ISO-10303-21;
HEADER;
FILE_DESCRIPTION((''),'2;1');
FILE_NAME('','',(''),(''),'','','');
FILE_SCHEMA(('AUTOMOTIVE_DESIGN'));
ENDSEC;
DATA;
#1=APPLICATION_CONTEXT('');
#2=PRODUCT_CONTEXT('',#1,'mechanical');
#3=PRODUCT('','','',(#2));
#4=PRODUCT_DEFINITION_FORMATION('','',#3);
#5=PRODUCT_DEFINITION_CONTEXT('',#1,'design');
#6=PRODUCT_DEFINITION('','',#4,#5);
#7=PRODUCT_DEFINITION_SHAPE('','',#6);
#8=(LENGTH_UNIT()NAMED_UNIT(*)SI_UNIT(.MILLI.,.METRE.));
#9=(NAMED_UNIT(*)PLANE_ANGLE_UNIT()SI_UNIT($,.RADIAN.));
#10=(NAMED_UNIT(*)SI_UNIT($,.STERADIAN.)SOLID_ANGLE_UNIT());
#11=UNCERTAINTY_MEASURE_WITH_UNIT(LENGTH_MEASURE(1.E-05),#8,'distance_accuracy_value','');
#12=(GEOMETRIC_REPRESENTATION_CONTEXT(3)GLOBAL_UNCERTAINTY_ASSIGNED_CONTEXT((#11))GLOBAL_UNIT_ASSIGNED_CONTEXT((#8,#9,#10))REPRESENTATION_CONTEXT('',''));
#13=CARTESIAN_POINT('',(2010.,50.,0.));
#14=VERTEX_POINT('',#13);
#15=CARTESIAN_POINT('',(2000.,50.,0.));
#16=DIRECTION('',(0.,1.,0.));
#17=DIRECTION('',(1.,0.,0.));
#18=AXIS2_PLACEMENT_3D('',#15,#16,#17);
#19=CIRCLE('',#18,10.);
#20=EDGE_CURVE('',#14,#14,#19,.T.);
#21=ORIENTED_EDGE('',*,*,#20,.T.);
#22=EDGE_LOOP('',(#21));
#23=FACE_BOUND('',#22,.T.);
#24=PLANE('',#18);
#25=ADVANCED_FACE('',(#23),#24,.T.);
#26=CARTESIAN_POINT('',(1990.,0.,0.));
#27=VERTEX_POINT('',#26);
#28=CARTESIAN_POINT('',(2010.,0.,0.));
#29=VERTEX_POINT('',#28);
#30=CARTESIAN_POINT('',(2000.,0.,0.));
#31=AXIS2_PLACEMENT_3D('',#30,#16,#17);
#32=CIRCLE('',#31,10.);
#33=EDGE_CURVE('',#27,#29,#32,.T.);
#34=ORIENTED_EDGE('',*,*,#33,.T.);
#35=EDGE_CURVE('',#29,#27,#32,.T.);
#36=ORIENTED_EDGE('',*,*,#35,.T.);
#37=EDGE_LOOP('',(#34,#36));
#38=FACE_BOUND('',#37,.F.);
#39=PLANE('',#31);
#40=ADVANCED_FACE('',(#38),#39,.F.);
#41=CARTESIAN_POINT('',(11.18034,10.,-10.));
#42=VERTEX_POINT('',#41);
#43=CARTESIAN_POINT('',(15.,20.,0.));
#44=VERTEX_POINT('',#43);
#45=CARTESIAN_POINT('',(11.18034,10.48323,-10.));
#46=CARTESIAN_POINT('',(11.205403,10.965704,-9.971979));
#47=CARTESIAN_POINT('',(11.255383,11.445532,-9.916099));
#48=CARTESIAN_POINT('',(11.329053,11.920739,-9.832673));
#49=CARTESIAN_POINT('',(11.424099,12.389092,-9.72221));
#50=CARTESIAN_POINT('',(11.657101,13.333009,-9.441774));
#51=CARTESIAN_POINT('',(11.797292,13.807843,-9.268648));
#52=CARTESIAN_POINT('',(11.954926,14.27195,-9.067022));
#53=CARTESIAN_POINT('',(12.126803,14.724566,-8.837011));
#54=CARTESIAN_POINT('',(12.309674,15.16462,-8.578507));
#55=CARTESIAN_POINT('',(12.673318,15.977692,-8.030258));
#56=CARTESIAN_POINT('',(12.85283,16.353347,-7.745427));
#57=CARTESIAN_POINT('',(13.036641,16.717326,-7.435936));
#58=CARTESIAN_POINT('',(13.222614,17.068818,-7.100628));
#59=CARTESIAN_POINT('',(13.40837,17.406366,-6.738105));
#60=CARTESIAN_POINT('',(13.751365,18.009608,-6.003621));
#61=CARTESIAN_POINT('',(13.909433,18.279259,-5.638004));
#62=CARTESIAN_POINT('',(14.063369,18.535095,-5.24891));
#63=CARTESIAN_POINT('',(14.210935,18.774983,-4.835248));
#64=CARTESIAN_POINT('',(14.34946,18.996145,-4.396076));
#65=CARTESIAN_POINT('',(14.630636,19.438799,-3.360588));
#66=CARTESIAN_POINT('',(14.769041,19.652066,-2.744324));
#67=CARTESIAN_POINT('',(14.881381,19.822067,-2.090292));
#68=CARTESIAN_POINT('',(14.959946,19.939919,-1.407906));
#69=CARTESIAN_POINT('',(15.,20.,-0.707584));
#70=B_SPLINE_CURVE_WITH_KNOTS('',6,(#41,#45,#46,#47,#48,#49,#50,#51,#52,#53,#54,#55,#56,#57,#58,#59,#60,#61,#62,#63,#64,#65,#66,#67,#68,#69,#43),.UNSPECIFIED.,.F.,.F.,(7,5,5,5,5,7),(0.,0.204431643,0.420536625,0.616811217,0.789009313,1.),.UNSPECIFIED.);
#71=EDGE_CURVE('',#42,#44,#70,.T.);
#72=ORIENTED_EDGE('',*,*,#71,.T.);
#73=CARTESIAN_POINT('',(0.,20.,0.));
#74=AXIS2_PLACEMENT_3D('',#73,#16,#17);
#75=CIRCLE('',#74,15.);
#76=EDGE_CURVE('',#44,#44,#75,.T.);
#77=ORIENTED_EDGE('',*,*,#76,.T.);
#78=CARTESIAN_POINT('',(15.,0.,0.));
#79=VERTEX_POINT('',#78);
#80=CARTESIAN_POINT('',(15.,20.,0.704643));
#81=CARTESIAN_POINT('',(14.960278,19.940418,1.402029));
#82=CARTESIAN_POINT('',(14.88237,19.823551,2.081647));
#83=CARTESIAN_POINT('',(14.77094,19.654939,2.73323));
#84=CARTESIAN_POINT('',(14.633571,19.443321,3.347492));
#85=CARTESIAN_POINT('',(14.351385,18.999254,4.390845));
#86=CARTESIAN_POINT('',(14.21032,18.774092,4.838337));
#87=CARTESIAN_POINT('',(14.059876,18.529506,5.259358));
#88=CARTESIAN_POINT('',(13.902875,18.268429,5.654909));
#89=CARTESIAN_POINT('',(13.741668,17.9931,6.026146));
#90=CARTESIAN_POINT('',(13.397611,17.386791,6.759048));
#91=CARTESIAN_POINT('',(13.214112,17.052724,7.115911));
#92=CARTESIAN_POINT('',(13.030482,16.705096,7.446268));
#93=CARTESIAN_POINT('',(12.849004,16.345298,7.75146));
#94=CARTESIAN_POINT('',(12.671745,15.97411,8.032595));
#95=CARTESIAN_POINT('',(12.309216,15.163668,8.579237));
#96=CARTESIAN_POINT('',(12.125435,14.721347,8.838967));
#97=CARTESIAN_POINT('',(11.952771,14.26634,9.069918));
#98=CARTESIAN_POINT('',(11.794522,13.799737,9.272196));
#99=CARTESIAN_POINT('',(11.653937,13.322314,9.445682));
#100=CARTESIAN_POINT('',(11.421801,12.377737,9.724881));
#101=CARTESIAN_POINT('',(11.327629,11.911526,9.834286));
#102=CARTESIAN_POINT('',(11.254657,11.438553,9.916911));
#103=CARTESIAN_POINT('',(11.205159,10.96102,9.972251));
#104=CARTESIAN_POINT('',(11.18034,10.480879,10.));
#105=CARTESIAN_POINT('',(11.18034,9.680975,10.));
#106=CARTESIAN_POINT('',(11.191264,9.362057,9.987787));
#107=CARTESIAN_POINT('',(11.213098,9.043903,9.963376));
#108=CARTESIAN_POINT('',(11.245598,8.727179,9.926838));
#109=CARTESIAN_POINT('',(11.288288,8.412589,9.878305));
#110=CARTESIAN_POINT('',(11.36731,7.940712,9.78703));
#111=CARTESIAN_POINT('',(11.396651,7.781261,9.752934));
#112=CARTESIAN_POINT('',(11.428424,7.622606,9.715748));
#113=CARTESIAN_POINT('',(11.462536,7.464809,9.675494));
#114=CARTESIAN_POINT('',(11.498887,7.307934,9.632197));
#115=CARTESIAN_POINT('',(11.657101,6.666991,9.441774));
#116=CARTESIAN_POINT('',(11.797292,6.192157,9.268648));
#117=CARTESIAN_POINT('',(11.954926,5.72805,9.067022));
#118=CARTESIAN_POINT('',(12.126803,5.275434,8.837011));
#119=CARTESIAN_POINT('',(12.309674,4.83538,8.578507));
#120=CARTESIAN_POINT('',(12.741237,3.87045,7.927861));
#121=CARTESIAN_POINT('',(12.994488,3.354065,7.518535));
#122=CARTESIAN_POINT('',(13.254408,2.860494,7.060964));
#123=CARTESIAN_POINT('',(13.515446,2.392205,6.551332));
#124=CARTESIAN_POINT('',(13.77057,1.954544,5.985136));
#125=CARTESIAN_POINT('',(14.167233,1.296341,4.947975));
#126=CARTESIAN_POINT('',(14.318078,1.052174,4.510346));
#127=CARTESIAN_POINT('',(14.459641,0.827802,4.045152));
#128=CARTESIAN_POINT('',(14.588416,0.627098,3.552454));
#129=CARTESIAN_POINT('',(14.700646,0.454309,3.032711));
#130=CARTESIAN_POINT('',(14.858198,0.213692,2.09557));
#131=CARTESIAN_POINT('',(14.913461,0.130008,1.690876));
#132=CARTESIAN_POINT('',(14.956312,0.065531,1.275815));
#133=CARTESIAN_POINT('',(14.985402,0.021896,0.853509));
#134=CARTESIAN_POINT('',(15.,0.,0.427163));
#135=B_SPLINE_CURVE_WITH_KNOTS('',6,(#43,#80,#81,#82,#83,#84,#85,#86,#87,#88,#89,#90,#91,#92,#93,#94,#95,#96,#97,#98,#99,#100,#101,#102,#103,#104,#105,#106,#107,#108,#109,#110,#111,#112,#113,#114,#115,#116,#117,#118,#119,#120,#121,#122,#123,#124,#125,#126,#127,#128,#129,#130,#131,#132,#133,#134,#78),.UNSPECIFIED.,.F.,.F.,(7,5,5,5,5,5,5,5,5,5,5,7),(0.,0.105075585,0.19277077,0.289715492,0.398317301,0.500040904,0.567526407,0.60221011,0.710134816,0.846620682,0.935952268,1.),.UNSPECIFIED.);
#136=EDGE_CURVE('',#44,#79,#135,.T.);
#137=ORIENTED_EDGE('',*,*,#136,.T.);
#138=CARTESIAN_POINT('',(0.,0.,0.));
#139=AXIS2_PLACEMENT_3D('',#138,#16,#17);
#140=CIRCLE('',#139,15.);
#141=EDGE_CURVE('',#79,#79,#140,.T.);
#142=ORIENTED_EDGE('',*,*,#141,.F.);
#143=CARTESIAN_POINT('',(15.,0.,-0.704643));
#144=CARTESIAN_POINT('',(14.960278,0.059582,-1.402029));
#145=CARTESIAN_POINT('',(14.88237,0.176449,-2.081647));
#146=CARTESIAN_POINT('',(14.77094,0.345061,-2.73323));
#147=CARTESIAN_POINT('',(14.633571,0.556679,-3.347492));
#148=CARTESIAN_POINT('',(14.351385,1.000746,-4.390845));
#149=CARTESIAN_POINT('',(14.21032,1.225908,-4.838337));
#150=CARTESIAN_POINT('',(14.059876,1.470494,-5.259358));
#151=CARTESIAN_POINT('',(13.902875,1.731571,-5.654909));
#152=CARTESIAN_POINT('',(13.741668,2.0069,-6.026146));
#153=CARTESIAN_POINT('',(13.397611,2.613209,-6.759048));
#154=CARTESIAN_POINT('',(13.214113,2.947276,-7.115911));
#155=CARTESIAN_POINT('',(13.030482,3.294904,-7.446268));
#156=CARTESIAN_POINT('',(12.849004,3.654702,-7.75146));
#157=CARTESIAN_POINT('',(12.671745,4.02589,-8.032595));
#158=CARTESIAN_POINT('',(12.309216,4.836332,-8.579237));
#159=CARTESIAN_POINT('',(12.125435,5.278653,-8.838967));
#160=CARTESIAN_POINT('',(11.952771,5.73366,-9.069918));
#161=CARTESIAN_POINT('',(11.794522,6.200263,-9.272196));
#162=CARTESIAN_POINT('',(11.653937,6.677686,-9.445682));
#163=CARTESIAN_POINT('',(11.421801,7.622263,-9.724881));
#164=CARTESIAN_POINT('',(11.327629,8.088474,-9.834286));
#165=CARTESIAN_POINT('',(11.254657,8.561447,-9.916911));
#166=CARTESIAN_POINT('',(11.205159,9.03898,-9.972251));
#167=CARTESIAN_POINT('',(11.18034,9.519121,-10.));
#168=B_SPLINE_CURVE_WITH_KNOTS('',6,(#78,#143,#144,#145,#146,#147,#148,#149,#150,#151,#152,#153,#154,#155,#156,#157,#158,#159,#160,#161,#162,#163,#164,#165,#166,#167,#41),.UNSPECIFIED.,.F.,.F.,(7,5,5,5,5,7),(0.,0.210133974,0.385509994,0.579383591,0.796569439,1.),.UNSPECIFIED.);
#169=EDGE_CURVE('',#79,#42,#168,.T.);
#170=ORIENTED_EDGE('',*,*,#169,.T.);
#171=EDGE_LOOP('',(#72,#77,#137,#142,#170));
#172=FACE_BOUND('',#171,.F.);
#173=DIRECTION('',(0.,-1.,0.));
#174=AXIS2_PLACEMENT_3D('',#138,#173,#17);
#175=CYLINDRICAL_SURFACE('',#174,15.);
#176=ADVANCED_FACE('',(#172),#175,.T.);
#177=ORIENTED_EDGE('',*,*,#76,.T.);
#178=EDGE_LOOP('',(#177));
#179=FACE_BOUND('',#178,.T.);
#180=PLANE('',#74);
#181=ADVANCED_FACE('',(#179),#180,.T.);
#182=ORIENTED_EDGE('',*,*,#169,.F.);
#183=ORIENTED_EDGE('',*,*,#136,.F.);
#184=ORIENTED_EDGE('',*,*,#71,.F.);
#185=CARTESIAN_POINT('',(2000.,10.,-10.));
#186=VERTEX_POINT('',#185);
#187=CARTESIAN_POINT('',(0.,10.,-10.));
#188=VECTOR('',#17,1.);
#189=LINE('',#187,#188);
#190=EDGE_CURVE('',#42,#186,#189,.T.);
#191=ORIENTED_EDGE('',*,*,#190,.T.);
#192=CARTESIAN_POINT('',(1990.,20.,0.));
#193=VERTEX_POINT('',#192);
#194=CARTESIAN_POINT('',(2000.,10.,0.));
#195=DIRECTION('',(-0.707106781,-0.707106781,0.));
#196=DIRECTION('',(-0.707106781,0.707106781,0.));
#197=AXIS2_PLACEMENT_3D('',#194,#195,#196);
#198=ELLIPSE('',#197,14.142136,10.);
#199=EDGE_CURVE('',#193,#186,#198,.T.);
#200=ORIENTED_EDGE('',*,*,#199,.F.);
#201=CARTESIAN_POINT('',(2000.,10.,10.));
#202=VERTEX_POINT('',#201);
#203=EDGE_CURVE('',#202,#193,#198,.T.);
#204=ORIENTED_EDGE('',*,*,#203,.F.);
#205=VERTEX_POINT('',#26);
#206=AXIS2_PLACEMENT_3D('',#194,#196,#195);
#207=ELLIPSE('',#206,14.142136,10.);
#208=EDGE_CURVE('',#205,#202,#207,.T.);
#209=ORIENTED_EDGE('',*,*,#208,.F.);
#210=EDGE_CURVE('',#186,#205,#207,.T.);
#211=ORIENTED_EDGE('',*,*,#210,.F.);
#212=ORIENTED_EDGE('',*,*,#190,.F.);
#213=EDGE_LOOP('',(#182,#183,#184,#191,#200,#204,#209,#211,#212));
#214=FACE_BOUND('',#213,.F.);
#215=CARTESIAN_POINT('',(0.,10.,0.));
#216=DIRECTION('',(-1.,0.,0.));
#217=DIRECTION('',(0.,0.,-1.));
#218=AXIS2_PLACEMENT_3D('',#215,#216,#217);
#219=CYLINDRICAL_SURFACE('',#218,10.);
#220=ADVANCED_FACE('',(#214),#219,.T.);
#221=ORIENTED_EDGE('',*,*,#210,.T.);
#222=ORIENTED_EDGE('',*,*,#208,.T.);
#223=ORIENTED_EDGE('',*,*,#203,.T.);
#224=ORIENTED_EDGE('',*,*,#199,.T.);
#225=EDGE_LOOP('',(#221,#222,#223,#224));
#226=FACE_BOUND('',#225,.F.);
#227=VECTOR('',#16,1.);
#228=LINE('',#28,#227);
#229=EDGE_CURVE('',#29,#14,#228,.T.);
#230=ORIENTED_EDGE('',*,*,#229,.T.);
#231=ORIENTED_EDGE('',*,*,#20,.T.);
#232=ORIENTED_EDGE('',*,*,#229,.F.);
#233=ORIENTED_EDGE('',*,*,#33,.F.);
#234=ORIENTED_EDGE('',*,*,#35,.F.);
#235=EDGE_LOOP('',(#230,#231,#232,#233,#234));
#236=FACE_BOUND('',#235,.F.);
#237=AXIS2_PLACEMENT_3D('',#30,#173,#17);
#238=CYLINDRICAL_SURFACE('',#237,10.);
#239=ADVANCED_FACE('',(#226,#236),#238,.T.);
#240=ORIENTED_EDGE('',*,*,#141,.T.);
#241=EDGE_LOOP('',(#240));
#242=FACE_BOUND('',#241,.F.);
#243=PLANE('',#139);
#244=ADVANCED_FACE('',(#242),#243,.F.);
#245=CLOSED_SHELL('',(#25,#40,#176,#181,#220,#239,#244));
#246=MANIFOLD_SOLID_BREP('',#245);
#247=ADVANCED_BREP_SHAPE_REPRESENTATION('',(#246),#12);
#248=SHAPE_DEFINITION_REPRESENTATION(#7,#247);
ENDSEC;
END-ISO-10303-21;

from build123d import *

# Parameters (mm, degrees)
SKETCH1_R           = 15
BOSS_EXTRUDE1_DEPTH = 20
SKETCH2_R           = 10
BOSS_EXTRUDE2_DEPTH = 2000
SKETCH3_R           = 10
BOSS_EXTRUDE3_DEPTH = 50


with BuildPart() as part:
    # Sketch1 → Boss-Extrude1 (new body)
    with BuildSketch(Plane(origin=(0, 0, 0), x_dir=(1, 0, 0), z_dir=(0, 1, 0))):
        Circle(SKETCH1_R)
    extrude(amount=BOSS_EXTRUDE1_DEPTH)

    # Sketch2 → Boss-Extrude2 (add)
    with BuildSketch(Plane(origin=(0, 0, 0), x_dir=(0, 0, -1), z_dir=(1, 0, 0))):
        with Locations((0, 10)):
            Circle(SKETCH2_R)
    extrude(amount=BOSS_EXTRUDE2_DEPTH)

    # Sketch3 → Boss-Extrude3 (add)
    with BuildSketch(Plane(origin=(0, 0, 0), x_dir=(1, 0, 0), z_dir=(0, 1, 0))):
        with Locations((2000, 0)):
            Circle(SKETCH3_R)
    extrude(amount=BOSS_EXTRUDE3_DEPTH)


solid = part.part
